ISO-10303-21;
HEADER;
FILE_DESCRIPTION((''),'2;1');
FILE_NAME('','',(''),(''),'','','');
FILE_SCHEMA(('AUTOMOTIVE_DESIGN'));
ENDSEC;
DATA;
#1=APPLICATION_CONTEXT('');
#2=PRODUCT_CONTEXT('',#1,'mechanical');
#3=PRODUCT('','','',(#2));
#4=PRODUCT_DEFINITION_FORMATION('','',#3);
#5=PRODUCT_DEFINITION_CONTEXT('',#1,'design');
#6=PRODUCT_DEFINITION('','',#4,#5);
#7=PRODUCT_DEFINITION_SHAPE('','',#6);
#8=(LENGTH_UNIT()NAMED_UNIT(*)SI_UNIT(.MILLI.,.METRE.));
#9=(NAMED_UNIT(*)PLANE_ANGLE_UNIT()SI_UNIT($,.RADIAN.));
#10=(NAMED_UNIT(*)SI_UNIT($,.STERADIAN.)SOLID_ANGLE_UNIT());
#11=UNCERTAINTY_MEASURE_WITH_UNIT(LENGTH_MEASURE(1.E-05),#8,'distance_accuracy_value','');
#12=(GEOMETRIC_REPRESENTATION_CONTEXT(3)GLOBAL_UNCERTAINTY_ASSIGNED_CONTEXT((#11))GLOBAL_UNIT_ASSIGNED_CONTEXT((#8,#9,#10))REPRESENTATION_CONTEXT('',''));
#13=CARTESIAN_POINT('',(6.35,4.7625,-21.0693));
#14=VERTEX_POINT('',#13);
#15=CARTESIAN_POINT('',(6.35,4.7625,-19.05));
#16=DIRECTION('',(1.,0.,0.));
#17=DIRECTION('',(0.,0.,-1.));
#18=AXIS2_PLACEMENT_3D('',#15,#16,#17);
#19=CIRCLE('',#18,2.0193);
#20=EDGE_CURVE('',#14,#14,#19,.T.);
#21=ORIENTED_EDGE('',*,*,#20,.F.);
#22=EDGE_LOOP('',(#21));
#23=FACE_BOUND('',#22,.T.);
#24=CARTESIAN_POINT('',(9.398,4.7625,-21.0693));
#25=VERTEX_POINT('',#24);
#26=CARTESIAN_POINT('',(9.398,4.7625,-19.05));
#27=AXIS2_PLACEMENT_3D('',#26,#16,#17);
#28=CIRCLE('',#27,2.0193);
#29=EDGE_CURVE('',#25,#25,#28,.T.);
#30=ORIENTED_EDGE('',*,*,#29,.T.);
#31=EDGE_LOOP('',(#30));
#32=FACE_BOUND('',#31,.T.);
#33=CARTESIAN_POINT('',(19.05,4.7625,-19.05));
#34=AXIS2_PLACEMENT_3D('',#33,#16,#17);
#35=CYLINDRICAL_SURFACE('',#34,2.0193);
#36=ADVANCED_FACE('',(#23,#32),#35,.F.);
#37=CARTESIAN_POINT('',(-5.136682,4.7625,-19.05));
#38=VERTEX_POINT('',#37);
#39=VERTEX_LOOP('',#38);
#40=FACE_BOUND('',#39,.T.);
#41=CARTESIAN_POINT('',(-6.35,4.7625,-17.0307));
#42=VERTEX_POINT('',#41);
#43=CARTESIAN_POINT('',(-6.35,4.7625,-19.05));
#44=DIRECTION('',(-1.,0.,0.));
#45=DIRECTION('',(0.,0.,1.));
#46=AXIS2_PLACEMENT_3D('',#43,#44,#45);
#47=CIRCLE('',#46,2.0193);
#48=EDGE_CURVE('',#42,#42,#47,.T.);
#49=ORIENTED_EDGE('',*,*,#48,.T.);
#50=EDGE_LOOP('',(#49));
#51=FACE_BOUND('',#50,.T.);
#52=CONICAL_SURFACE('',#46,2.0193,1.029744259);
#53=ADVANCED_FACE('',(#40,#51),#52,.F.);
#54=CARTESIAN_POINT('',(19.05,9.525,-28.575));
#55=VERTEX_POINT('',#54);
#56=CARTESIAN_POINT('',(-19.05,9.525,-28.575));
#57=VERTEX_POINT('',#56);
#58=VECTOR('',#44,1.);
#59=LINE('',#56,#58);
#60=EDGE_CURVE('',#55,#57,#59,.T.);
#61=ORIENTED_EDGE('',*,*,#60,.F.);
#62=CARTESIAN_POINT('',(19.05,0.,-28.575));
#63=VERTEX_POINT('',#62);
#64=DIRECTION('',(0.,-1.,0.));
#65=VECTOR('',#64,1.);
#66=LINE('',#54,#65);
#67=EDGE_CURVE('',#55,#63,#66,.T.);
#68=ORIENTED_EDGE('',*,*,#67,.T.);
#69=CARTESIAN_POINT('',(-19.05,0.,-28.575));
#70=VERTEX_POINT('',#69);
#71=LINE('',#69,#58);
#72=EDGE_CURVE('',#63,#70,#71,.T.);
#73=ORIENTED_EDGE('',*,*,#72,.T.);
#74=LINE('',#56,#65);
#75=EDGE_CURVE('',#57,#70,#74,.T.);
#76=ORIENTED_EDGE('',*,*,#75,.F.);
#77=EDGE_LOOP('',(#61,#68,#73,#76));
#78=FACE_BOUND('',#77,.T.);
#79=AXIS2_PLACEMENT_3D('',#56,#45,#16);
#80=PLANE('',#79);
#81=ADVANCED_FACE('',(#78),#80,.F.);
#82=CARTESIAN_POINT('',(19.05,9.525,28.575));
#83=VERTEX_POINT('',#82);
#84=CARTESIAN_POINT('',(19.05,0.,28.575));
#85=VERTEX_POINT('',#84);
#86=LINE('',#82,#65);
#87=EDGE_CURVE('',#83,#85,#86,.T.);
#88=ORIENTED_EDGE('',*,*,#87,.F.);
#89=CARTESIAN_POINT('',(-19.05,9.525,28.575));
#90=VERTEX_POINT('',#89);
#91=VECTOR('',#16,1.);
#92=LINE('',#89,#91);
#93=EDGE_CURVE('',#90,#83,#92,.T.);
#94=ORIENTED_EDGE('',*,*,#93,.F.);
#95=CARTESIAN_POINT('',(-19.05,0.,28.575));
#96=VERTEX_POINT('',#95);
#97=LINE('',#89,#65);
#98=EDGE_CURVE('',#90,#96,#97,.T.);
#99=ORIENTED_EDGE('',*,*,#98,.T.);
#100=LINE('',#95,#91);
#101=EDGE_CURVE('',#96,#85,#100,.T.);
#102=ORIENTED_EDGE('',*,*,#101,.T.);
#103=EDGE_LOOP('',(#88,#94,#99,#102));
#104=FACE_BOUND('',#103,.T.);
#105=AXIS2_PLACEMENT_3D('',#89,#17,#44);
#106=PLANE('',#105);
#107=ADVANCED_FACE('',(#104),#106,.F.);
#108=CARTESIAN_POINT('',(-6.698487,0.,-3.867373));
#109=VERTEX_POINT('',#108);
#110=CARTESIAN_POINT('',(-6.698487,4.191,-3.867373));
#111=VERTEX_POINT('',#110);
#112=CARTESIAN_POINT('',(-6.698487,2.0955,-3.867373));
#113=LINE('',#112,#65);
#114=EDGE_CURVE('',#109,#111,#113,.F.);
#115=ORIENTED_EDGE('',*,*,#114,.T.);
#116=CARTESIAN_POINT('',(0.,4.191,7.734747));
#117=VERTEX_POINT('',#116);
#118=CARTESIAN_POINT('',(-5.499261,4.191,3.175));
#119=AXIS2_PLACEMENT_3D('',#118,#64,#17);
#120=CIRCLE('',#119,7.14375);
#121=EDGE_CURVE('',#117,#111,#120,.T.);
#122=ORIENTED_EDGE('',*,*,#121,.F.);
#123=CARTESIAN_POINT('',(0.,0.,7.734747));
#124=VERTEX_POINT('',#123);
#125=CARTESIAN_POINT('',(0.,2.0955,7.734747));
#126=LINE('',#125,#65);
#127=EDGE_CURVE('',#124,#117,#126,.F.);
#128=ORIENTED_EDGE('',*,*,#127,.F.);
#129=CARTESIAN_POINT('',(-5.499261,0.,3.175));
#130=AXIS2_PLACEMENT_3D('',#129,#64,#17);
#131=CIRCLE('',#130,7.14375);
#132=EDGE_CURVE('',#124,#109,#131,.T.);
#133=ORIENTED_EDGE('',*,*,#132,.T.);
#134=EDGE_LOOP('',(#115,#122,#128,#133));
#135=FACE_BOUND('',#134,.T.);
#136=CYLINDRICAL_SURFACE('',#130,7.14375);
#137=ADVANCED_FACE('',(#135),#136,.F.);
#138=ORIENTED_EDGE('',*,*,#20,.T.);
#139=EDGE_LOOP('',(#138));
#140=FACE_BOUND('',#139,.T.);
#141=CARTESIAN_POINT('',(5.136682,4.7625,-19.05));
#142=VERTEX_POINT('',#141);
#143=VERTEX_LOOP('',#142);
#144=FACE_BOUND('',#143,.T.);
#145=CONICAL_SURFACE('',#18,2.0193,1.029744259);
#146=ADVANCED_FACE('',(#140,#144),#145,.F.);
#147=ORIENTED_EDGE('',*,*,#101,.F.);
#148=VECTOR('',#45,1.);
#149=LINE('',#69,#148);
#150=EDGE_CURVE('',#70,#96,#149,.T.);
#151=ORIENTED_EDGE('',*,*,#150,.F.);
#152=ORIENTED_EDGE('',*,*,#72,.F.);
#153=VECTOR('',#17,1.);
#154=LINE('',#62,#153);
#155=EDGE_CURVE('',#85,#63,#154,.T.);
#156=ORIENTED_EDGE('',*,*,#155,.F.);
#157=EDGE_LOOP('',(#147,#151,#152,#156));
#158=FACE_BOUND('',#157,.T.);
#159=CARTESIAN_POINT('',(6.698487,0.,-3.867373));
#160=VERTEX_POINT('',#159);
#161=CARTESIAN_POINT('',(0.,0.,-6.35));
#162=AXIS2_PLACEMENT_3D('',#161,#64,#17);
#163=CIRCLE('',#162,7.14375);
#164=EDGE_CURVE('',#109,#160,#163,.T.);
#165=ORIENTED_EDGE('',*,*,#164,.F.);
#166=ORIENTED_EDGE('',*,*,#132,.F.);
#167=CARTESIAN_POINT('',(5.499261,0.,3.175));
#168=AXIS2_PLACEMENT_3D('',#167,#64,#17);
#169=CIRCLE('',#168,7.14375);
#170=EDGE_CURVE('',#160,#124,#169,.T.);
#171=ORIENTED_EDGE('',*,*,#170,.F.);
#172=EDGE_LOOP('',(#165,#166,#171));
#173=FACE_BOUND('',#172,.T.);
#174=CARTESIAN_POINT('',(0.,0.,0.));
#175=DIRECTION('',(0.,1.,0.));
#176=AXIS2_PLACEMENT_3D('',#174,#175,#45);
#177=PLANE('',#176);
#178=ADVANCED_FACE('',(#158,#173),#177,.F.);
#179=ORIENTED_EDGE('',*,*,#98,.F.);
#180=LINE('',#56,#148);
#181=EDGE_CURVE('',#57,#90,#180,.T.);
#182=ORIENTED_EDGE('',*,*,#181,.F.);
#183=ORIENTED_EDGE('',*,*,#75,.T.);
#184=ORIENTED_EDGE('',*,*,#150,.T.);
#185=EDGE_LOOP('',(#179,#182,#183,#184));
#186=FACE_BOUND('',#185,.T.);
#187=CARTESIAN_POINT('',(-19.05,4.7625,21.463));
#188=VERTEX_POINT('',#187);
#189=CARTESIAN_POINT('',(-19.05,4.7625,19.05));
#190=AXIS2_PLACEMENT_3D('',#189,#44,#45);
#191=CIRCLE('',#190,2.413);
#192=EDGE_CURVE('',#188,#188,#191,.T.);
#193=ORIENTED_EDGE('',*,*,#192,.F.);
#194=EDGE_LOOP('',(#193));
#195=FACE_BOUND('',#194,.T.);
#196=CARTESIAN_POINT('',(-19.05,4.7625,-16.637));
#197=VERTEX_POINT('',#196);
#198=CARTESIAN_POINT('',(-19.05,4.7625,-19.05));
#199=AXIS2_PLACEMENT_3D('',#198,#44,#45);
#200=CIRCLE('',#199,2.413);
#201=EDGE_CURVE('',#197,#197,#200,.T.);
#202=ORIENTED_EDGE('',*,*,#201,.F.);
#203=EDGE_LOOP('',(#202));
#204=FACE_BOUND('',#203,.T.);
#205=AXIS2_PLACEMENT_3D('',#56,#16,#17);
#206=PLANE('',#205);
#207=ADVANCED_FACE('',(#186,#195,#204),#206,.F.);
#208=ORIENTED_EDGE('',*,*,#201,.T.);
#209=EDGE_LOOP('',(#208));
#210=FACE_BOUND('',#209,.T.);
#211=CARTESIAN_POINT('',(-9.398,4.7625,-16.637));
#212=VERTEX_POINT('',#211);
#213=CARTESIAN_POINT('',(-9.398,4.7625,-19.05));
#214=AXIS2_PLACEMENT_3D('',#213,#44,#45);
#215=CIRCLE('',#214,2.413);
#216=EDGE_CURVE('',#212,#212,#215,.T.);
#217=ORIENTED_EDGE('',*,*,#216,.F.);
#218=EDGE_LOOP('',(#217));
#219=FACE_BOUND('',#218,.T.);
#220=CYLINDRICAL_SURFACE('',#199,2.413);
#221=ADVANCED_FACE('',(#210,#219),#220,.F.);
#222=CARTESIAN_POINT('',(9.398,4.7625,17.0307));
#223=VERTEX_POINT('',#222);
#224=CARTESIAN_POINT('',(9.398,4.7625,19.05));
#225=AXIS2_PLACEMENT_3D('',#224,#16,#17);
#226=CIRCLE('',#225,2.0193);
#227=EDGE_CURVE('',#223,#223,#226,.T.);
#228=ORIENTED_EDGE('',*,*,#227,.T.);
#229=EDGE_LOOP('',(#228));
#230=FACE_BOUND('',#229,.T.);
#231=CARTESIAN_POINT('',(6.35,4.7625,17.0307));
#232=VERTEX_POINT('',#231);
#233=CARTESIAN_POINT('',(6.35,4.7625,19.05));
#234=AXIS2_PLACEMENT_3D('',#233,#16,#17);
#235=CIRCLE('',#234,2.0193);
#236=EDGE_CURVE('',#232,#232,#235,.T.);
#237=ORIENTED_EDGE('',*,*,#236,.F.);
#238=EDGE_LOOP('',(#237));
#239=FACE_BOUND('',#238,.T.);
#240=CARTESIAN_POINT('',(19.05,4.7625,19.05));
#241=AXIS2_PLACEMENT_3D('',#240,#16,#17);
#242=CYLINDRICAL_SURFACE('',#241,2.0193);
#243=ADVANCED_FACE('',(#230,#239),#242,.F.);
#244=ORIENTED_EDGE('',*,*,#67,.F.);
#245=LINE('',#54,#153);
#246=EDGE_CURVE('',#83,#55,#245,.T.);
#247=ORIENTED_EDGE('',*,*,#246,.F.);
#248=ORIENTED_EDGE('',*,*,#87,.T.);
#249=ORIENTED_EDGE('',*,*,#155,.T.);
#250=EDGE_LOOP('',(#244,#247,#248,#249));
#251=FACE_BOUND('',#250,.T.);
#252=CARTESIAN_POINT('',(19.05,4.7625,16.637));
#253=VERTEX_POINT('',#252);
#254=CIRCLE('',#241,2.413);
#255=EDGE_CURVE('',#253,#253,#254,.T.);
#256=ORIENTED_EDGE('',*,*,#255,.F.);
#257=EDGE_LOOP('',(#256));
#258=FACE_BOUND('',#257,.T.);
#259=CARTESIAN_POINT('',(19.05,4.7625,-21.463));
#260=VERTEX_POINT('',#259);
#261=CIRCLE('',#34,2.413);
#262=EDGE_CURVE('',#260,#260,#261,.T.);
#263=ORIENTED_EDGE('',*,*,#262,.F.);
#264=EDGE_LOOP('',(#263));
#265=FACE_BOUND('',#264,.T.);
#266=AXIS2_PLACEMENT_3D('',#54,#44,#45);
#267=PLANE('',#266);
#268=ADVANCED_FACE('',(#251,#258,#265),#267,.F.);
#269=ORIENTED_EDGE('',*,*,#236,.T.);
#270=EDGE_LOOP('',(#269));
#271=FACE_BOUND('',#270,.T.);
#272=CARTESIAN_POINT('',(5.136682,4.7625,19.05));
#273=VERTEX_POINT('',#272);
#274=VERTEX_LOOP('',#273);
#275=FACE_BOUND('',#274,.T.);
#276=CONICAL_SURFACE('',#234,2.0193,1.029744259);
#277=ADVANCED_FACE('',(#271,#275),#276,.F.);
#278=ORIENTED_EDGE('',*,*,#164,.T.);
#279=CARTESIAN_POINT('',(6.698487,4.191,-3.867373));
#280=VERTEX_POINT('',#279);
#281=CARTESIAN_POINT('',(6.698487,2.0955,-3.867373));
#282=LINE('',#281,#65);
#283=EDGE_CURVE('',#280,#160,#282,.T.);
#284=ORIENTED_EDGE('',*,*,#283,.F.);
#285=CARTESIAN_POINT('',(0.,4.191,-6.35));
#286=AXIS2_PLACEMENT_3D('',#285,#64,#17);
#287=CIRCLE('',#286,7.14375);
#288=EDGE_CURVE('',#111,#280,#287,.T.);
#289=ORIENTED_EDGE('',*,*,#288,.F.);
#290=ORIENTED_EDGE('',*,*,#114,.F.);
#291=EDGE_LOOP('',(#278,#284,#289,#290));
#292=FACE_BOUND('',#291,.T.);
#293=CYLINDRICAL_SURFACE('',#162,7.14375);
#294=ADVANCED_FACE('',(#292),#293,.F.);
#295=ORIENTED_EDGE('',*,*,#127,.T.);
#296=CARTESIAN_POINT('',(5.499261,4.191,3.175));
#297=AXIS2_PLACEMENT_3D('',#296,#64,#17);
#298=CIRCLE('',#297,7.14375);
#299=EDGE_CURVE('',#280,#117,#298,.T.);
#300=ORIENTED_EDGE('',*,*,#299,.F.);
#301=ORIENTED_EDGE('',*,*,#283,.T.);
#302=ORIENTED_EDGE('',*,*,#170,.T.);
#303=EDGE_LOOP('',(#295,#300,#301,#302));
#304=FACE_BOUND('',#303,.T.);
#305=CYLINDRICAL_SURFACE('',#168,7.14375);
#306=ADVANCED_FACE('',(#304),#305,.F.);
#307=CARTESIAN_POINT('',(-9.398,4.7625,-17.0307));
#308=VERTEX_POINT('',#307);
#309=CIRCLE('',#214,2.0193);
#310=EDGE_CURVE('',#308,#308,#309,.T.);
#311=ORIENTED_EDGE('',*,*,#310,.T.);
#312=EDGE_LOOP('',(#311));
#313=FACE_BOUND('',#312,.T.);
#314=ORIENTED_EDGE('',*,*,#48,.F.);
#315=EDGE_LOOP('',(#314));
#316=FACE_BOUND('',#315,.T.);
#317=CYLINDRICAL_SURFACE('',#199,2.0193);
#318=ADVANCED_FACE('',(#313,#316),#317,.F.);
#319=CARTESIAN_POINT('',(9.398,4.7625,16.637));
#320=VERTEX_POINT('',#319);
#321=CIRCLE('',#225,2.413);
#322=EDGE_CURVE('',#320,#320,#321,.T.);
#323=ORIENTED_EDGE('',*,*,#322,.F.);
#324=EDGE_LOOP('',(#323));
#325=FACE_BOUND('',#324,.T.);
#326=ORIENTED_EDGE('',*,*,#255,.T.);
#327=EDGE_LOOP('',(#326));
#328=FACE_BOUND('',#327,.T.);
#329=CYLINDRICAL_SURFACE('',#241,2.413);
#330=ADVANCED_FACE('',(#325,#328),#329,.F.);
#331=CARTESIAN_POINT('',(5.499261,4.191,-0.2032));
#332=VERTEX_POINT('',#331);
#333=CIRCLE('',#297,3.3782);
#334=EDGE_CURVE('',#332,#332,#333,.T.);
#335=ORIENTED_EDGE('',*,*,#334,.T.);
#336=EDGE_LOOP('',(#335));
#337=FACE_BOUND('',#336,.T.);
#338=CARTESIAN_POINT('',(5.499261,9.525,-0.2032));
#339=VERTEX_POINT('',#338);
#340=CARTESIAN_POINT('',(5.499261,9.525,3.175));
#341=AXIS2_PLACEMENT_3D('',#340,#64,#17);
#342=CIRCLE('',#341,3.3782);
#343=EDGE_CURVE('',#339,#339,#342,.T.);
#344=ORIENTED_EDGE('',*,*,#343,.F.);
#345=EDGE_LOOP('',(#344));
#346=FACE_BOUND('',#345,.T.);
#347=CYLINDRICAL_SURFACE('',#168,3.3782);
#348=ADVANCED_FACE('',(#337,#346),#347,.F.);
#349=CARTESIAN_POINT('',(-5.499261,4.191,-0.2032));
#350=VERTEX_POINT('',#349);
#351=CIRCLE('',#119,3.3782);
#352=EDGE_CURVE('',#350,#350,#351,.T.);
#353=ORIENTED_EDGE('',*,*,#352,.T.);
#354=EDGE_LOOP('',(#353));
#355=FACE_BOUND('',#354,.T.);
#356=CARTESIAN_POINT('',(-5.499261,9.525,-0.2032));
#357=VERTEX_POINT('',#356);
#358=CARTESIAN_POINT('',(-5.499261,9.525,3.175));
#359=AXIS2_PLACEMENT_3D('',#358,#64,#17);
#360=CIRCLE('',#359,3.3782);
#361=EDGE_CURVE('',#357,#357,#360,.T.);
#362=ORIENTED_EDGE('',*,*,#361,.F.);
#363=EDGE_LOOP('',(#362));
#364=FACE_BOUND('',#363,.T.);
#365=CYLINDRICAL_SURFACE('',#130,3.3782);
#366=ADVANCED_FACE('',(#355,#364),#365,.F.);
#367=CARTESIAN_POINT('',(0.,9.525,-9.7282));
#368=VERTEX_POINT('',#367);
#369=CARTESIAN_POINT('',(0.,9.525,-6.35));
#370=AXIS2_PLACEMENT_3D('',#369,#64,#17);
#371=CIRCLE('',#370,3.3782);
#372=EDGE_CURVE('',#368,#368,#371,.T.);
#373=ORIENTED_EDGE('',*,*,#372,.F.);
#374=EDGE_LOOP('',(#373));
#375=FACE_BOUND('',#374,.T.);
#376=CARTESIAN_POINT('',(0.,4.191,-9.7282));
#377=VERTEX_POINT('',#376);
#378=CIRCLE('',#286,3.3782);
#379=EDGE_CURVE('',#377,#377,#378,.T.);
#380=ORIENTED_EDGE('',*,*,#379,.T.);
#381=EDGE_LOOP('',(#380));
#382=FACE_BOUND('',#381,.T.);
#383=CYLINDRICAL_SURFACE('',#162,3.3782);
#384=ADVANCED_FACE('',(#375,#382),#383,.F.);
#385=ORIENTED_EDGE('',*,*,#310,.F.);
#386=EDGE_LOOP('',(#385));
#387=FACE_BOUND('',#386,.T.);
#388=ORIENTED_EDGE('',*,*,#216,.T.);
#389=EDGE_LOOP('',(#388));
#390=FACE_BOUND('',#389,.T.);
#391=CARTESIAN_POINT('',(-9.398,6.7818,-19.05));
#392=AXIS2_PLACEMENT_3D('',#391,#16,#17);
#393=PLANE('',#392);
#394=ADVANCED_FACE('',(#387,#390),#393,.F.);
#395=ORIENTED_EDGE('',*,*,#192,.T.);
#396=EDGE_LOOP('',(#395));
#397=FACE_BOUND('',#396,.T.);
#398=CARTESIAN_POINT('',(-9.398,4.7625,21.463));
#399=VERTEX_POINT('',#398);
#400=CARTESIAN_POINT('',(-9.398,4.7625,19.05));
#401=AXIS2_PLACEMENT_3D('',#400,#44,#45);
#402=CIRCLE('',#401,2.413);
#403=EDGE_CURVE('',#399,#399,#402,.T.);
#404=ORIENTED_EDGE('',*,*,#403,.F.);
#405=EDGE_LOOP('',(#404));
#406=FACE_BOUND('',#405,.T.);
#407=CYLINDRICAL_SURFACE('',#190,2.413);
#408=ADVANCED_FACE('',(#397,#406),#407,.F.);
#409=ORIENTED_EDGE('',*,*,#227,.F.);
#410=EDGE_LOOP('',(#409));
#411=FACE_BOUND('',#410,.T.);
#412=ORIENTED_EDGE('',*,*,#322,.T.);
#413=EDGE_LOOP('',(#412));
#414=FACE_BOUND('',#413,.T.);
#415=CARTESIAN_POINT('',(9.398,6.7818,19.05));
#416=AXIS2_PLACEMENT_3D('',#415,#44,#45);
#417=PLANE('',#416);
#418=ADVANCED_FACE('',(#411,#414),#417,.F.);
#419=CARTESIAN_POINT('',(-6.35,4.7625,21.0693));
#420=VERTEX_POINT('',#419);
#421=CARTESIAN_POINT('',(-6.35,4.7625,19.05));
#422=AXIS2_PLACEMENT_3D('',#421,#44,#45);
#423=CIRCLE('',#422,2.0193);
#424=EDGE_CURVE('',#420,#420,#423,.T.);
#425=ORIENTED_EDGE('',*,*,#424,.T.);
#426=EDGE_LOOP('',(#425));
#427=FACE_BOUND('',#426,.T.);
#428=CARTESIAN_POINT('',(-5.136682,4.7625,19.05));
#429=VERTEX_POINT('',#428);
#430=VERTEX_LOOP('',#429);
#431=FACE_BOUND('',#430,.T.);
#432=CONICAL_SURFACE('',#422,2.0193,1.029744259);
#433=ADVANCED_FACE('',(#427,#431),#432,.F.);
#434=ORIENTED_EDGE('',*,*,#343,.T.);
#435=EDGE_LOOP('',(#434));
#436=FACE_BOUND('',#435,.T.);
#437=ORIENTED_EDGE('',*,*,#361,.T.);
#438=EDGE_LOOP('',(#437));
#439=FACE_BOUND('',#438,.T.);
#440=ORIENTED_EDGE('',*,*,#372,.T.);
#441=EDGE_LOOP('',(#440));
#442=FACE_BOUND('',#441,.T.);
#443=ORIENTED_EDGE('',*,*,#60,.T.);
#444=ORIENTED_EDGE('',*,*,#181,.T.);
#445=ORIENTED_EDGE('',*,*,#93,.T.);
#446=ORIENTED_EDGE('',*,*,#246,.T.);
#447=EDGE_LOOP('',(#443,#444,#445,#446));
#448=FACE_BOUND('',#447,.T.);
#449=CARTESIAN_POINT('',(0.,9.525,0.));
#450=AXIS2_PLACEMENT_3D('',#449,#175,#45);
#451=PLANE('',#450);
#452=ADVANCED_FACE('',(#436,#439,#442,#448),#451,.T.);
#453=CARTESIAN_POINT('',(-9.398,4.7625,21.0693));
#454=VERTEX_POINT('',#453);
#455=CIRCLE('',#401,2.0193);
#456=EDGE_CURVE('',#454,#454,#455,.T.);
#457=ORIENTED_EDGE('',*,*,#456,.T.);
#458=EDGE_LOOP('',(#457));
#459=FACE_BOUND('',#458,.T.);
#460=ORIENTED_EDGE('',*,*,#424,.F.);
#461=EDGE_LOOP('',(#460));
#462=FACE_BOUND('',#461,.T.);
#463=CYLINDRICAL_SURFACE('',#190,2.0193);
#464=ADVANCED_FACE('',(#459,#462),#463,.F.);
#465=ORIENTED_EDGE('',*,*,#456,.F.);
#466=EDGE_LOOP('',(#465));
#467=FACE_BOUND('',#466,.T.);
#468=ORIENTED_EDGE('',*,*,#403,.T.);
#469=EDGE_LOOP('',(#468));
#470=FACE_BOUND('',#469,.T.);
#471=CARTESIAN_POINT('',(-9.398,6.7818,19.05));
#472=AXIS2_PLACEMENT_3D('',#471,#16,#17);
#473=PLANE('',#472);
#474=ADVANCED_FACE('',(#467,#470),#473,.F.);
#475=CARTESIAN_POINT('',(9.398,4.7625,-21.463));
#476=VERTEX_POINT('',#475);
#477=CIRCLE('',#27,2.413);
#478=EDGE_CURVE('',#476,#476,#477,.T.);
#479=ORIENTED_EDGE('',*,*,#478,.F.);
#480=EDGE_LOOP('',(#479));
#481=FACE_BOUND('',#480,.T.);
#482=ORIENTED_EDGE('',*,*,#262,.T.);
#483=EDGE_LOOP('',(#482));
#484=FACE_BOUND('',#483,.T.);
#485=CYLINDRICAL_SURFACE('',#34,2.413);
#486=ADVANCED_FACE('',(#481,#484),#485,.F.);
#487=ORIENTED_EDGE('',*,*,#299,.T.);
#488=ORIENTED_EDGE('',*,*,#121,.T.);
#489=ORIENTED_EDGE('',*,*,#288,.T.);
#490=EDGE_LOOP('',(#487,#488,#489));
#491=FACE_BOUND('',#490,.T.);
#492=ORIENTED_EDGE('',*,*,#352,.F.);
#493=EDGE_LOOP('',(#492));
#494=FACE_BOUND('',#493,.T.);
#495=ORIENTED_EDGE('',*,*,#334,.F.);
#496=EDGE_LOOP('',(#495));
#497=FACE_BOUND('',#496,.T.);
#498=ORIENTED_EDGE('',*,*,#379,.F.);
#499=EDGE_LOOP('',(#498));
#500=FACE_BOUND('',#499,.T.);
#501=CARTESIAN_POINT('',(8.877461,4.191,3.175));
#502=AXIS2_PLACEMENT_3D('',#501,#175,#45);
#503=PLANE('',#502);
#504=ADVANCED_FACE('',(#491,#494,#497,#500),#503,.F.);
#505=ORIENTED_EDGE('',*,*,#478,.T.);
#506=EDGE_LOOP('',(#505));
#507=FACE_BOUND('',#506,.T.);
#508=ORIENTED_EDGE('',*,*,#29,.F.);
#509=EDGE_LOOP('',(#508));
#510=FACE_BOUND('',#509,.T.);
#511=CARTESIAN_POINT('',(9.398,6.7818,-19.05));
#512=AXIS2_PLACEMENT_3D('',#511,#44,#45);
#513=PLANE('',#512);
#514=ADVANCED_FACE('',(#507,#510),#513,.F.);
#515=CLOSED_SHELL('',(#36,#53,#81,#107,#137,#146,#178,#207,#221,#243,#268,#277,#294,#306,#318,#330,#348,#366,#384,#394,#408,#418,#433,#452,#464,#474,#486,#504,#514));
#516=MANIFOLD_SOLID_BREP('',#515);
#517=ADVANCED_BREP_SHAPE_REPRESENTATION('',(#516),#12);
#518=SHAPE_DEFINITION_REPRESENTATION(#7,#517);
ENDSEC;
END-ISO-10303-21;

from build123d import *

# Parameters (mm, degrees)
SKETCH1_W                                            = 38.1
SKETCH1_H                                            = 57.15
BOSS_EXTRUDE1_DEPTH                                  = 9.525
CBORE_FOR_1_4_BINDING_HEAD_MACHINE_SCREW_D           = 6.7564
CBORE_FOR_1_4_BINDING_HEAD_MACHINE_SCREW_CBORE_D     = 14.2875
CBORE_FOR_1_4_BINDING_HEAD_MACHINE_SCREW_CBORE_DEPTH = 4.191
F_10_32_TAPPED_HOLE1_D                               = 4.0386
F_10_32_TAPPED_HOLE1_DEPTH                           = 12.7
F_10_32_TAPPED_HOLE1_CBORE_D                         = 4.826
F_10_32_TAPPED_HOLE1_CBORE_DEPTH                     = 9.652
F_10_32_TAPPED_HOLE1_TIP                             = 1.213317848
F_10_32_TAPPED_HOLE1_ON_FACE_2_D                     = 4.0386
F_10_32_TAPPED_HOLE1_ON_FACE_2_DEPTH                 = 12.7
F_10_32_TAPPED_HOLE1_ON_FACE_2_CBORE_D               = 4.826
F_10_32_TAPPED_HOLE1_ON_FACE_2_CBORE_DEPTH           = 9.652
F_10_32_TAPPED_HOLE1_ON_FACE_2_TIP                   = 1.213317848


with BuildPart() as part:
    # Sketch1 → Boss-Extrude1 (new body)
    with BuildSketch(Plane(origin=(0, 0, 0), x_dir=(1, 0, 0), z_dir=(0, 1, 0))):
        Rectangle(SKETCH1_W, SKETCH1_H)
    extrude(amount=BOSS_EXTRUDE1_DEPTH)

    # CBORE for 1/4 Binding Head Machine Screw1 (through all)
    with Locations(Plane(origin=(0, 0, 0), x_dir=(-1, 0, 0), z_dir=(0, -1, 0))):
        with Locations((0, 6.35), (5.499261314, -3.175), (-5.499261314, -3.175)):
            CounterBoreHole(CBORE_FOR_1_4_BINDING_HEAD_MACHINE_SCREW_D / 2, CBORE_FOR_1_4_BINDING_HEAD_MACHINE_SCREW_CBORE_D / 2, CBORE_FOR_1_4_BINDING_HEAD_MACHINE_SCREW_CBORE_DEPTH)

    # #10-32 Tapped Hole1
    with Locations(Plane(origin=(-19.05, 4.7625, -19.05), x_dir=(0, 0, -1), z_dir=(-1, 0, 0))):
        with Locations((0, 0), (-38.1, 0)):
            CounterBoreHole(F_10_32_TAPPED_HOLE1_D / 2, F_10_32_TAPPED_HOLE1_CBORE_D / 2, F_10_32_TAPPED_HOLE1_CBORE_DEPTH, depth=F_10_32_TAPPED_HOLE1_DEPTH)
            with Locations((0, 0, -(F_10_32_TAPPED_HOLE1_DEPTH + F_10_32_TAPPED_HOLE1_TIP / 2))):  # 118° drill point
                Cone(0, F_10_32_TAPPED_HOLE1_D / 2, F_10_32_TAPPED_HOLE1_TIP, mode=Mode.SUBTRACT)

    # #10-32 Tapped Hole1 on face 2
    with Locations(Plane(origin=(19.05, 4.7625, 19.05), x_dir=(0, 0, 1), z_dir=(1, 0, 0))):
        with Locations((0, 0), (-38.1, 0)):
            CounterBoreHole(F_10_32_TAPPED_HOLE1_ON_FACE_2_D / 2, F_10_32_TAPPED_HOLE1_ON_FACE_2_CBORE_D / 2, F_10_32_TAPPED_HOLE1_ON_FACE_2_CBORE_DEPTH, depth=F_10_32_TAPPED_HOLE1_ON_FACE_2_DEPTH)
            with Locations((0, 0, -(F_10_32_TAPPED_HOLE1_ON_FACE_2_DEPTH + F_10_32_TAPPED_HOLE1_ON_FACE_2_TIP / 2))):  # 118° drill point
                Cone(0, F_10_32_TAPPED_HOLE1_ON_FACE_2_D / 2, F_10_32_TAPPED_HOLE1_ON_FACE_2_TIP, mode=Mode.SUBTRACT)


solid = part.part
